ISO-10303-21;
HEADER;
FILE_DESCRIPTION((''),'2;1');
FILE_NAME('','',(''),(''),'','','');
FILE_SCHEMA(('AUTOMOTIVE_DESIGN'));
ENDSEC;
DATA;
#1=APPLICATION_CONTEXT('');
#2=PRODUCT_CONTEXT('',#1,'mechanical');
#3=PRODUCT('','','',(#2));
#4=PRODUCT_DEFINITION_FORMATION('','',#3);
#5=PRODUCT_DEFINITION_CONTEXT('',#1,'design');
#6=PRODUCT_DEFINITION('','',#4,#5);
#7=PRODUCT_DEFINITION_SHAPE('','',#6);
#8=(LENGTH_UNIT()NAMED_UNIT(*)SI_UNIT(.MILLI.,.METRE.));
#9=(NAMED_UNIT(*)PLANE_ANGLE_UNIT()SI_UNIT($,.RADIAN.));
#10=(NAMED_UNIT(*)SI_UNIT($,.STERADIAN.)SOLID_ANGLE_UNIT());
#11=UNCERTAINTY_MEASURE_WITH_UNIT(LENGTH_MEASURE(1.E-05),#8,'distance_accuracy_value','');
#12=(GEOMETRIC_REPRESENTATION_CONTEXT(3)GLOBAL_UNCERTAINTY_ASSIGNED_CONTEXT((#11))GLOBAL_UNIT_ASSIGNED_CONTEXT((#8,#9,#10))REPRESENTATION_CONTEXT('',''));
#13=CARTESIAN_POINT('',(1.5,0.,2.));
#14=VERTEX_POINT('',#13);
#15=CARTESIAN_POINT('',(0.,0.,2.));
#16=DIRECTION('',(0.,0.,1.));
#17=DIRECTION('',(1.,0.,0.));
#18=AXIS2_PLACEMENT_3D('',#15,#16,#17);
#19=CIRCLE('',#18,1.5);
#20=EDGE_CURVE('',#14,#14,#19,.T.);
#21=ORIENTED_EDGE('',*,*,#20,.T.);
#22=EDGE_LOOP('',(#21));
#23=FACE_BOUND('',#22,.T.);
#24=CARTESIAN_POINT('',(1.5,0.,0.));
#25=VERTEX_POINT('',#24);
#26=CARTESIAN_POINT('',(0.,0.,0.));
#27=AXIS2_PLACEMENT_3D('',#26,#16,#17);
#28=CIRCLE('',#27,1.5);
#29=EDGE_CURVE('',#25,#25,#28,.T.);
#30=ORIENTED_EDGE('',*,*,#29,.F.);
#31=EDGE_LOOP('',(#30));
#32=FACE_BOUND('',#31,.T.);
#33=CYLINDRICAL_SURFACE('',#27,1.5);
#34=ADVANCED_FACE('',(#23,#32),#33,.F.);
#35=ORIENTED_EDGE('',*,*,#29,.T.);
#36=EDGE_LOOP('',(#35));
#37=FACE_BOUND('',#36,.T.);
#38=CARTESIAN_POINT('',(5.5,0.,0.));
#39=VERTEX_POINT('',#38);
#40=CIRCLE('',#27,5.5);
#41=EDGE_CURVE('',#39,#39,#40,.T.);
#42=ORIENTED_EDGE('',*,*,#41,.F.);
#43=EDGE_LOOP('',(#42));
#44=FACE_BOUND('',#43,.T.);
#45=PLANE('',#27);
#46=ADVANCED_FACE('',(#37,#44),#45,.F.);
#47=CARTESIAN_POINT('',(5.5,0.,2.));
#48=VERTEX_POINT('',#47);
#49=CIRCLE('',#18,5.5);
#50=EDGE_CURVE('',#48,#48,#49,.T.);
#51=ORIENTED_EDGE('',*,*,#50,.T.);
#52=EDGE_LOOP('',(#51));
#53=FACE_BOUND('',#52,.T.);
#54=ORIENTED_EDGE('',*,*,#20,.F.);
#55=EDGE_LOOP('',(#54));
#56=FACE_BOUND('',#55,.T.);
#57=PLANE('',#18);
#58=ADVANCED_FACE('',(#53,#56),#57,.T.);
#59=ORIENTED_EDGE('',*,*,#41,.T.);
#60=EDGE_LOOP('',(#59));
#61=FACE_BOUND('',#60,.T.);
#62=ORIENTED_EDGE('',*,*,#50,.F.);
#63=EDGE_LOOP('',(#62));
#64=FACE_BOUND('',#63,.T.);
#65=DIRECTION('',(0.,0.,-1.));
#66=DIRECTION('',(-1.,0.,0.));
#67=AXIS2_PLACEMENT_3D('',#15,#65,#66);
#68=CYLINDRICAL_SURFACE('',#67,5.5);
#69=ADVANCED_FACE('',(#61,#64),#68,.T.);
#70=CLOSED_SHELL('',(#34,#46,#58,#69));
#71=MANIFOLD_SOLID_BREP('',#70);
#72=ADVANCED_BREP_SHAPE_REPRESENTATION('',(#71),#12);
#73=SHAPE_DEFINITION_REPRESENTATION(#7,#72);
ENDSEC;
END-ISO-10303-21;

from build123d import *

# Parameters (mm, degrees)
SKETCH1_R          = 5.5
EXTRUDE1_DEPTH     = 2
SKETCH2_R          = 1.5
CUT_EXTRUDE1_DEPTH = 9.031189202


with BuildPart() as part:
    # Sketch1 → Extrude1 (new body)
    with BuildSketch(Plane.XY):
        Circle(SKETCH1_R)
    extrude(amount=EXTRUDE1_DEPTH)

    # Sketch2 → Cut-Extrude1 (cut, through all)
    with BuildSketch(Plane.XY.offset(2)):
        Circle(SKETCH2_R)
    extrude(amount=-CUT_EXTRUDE1_DEPTH, mode=Mode.SUBTRACT)


solid = part.part
